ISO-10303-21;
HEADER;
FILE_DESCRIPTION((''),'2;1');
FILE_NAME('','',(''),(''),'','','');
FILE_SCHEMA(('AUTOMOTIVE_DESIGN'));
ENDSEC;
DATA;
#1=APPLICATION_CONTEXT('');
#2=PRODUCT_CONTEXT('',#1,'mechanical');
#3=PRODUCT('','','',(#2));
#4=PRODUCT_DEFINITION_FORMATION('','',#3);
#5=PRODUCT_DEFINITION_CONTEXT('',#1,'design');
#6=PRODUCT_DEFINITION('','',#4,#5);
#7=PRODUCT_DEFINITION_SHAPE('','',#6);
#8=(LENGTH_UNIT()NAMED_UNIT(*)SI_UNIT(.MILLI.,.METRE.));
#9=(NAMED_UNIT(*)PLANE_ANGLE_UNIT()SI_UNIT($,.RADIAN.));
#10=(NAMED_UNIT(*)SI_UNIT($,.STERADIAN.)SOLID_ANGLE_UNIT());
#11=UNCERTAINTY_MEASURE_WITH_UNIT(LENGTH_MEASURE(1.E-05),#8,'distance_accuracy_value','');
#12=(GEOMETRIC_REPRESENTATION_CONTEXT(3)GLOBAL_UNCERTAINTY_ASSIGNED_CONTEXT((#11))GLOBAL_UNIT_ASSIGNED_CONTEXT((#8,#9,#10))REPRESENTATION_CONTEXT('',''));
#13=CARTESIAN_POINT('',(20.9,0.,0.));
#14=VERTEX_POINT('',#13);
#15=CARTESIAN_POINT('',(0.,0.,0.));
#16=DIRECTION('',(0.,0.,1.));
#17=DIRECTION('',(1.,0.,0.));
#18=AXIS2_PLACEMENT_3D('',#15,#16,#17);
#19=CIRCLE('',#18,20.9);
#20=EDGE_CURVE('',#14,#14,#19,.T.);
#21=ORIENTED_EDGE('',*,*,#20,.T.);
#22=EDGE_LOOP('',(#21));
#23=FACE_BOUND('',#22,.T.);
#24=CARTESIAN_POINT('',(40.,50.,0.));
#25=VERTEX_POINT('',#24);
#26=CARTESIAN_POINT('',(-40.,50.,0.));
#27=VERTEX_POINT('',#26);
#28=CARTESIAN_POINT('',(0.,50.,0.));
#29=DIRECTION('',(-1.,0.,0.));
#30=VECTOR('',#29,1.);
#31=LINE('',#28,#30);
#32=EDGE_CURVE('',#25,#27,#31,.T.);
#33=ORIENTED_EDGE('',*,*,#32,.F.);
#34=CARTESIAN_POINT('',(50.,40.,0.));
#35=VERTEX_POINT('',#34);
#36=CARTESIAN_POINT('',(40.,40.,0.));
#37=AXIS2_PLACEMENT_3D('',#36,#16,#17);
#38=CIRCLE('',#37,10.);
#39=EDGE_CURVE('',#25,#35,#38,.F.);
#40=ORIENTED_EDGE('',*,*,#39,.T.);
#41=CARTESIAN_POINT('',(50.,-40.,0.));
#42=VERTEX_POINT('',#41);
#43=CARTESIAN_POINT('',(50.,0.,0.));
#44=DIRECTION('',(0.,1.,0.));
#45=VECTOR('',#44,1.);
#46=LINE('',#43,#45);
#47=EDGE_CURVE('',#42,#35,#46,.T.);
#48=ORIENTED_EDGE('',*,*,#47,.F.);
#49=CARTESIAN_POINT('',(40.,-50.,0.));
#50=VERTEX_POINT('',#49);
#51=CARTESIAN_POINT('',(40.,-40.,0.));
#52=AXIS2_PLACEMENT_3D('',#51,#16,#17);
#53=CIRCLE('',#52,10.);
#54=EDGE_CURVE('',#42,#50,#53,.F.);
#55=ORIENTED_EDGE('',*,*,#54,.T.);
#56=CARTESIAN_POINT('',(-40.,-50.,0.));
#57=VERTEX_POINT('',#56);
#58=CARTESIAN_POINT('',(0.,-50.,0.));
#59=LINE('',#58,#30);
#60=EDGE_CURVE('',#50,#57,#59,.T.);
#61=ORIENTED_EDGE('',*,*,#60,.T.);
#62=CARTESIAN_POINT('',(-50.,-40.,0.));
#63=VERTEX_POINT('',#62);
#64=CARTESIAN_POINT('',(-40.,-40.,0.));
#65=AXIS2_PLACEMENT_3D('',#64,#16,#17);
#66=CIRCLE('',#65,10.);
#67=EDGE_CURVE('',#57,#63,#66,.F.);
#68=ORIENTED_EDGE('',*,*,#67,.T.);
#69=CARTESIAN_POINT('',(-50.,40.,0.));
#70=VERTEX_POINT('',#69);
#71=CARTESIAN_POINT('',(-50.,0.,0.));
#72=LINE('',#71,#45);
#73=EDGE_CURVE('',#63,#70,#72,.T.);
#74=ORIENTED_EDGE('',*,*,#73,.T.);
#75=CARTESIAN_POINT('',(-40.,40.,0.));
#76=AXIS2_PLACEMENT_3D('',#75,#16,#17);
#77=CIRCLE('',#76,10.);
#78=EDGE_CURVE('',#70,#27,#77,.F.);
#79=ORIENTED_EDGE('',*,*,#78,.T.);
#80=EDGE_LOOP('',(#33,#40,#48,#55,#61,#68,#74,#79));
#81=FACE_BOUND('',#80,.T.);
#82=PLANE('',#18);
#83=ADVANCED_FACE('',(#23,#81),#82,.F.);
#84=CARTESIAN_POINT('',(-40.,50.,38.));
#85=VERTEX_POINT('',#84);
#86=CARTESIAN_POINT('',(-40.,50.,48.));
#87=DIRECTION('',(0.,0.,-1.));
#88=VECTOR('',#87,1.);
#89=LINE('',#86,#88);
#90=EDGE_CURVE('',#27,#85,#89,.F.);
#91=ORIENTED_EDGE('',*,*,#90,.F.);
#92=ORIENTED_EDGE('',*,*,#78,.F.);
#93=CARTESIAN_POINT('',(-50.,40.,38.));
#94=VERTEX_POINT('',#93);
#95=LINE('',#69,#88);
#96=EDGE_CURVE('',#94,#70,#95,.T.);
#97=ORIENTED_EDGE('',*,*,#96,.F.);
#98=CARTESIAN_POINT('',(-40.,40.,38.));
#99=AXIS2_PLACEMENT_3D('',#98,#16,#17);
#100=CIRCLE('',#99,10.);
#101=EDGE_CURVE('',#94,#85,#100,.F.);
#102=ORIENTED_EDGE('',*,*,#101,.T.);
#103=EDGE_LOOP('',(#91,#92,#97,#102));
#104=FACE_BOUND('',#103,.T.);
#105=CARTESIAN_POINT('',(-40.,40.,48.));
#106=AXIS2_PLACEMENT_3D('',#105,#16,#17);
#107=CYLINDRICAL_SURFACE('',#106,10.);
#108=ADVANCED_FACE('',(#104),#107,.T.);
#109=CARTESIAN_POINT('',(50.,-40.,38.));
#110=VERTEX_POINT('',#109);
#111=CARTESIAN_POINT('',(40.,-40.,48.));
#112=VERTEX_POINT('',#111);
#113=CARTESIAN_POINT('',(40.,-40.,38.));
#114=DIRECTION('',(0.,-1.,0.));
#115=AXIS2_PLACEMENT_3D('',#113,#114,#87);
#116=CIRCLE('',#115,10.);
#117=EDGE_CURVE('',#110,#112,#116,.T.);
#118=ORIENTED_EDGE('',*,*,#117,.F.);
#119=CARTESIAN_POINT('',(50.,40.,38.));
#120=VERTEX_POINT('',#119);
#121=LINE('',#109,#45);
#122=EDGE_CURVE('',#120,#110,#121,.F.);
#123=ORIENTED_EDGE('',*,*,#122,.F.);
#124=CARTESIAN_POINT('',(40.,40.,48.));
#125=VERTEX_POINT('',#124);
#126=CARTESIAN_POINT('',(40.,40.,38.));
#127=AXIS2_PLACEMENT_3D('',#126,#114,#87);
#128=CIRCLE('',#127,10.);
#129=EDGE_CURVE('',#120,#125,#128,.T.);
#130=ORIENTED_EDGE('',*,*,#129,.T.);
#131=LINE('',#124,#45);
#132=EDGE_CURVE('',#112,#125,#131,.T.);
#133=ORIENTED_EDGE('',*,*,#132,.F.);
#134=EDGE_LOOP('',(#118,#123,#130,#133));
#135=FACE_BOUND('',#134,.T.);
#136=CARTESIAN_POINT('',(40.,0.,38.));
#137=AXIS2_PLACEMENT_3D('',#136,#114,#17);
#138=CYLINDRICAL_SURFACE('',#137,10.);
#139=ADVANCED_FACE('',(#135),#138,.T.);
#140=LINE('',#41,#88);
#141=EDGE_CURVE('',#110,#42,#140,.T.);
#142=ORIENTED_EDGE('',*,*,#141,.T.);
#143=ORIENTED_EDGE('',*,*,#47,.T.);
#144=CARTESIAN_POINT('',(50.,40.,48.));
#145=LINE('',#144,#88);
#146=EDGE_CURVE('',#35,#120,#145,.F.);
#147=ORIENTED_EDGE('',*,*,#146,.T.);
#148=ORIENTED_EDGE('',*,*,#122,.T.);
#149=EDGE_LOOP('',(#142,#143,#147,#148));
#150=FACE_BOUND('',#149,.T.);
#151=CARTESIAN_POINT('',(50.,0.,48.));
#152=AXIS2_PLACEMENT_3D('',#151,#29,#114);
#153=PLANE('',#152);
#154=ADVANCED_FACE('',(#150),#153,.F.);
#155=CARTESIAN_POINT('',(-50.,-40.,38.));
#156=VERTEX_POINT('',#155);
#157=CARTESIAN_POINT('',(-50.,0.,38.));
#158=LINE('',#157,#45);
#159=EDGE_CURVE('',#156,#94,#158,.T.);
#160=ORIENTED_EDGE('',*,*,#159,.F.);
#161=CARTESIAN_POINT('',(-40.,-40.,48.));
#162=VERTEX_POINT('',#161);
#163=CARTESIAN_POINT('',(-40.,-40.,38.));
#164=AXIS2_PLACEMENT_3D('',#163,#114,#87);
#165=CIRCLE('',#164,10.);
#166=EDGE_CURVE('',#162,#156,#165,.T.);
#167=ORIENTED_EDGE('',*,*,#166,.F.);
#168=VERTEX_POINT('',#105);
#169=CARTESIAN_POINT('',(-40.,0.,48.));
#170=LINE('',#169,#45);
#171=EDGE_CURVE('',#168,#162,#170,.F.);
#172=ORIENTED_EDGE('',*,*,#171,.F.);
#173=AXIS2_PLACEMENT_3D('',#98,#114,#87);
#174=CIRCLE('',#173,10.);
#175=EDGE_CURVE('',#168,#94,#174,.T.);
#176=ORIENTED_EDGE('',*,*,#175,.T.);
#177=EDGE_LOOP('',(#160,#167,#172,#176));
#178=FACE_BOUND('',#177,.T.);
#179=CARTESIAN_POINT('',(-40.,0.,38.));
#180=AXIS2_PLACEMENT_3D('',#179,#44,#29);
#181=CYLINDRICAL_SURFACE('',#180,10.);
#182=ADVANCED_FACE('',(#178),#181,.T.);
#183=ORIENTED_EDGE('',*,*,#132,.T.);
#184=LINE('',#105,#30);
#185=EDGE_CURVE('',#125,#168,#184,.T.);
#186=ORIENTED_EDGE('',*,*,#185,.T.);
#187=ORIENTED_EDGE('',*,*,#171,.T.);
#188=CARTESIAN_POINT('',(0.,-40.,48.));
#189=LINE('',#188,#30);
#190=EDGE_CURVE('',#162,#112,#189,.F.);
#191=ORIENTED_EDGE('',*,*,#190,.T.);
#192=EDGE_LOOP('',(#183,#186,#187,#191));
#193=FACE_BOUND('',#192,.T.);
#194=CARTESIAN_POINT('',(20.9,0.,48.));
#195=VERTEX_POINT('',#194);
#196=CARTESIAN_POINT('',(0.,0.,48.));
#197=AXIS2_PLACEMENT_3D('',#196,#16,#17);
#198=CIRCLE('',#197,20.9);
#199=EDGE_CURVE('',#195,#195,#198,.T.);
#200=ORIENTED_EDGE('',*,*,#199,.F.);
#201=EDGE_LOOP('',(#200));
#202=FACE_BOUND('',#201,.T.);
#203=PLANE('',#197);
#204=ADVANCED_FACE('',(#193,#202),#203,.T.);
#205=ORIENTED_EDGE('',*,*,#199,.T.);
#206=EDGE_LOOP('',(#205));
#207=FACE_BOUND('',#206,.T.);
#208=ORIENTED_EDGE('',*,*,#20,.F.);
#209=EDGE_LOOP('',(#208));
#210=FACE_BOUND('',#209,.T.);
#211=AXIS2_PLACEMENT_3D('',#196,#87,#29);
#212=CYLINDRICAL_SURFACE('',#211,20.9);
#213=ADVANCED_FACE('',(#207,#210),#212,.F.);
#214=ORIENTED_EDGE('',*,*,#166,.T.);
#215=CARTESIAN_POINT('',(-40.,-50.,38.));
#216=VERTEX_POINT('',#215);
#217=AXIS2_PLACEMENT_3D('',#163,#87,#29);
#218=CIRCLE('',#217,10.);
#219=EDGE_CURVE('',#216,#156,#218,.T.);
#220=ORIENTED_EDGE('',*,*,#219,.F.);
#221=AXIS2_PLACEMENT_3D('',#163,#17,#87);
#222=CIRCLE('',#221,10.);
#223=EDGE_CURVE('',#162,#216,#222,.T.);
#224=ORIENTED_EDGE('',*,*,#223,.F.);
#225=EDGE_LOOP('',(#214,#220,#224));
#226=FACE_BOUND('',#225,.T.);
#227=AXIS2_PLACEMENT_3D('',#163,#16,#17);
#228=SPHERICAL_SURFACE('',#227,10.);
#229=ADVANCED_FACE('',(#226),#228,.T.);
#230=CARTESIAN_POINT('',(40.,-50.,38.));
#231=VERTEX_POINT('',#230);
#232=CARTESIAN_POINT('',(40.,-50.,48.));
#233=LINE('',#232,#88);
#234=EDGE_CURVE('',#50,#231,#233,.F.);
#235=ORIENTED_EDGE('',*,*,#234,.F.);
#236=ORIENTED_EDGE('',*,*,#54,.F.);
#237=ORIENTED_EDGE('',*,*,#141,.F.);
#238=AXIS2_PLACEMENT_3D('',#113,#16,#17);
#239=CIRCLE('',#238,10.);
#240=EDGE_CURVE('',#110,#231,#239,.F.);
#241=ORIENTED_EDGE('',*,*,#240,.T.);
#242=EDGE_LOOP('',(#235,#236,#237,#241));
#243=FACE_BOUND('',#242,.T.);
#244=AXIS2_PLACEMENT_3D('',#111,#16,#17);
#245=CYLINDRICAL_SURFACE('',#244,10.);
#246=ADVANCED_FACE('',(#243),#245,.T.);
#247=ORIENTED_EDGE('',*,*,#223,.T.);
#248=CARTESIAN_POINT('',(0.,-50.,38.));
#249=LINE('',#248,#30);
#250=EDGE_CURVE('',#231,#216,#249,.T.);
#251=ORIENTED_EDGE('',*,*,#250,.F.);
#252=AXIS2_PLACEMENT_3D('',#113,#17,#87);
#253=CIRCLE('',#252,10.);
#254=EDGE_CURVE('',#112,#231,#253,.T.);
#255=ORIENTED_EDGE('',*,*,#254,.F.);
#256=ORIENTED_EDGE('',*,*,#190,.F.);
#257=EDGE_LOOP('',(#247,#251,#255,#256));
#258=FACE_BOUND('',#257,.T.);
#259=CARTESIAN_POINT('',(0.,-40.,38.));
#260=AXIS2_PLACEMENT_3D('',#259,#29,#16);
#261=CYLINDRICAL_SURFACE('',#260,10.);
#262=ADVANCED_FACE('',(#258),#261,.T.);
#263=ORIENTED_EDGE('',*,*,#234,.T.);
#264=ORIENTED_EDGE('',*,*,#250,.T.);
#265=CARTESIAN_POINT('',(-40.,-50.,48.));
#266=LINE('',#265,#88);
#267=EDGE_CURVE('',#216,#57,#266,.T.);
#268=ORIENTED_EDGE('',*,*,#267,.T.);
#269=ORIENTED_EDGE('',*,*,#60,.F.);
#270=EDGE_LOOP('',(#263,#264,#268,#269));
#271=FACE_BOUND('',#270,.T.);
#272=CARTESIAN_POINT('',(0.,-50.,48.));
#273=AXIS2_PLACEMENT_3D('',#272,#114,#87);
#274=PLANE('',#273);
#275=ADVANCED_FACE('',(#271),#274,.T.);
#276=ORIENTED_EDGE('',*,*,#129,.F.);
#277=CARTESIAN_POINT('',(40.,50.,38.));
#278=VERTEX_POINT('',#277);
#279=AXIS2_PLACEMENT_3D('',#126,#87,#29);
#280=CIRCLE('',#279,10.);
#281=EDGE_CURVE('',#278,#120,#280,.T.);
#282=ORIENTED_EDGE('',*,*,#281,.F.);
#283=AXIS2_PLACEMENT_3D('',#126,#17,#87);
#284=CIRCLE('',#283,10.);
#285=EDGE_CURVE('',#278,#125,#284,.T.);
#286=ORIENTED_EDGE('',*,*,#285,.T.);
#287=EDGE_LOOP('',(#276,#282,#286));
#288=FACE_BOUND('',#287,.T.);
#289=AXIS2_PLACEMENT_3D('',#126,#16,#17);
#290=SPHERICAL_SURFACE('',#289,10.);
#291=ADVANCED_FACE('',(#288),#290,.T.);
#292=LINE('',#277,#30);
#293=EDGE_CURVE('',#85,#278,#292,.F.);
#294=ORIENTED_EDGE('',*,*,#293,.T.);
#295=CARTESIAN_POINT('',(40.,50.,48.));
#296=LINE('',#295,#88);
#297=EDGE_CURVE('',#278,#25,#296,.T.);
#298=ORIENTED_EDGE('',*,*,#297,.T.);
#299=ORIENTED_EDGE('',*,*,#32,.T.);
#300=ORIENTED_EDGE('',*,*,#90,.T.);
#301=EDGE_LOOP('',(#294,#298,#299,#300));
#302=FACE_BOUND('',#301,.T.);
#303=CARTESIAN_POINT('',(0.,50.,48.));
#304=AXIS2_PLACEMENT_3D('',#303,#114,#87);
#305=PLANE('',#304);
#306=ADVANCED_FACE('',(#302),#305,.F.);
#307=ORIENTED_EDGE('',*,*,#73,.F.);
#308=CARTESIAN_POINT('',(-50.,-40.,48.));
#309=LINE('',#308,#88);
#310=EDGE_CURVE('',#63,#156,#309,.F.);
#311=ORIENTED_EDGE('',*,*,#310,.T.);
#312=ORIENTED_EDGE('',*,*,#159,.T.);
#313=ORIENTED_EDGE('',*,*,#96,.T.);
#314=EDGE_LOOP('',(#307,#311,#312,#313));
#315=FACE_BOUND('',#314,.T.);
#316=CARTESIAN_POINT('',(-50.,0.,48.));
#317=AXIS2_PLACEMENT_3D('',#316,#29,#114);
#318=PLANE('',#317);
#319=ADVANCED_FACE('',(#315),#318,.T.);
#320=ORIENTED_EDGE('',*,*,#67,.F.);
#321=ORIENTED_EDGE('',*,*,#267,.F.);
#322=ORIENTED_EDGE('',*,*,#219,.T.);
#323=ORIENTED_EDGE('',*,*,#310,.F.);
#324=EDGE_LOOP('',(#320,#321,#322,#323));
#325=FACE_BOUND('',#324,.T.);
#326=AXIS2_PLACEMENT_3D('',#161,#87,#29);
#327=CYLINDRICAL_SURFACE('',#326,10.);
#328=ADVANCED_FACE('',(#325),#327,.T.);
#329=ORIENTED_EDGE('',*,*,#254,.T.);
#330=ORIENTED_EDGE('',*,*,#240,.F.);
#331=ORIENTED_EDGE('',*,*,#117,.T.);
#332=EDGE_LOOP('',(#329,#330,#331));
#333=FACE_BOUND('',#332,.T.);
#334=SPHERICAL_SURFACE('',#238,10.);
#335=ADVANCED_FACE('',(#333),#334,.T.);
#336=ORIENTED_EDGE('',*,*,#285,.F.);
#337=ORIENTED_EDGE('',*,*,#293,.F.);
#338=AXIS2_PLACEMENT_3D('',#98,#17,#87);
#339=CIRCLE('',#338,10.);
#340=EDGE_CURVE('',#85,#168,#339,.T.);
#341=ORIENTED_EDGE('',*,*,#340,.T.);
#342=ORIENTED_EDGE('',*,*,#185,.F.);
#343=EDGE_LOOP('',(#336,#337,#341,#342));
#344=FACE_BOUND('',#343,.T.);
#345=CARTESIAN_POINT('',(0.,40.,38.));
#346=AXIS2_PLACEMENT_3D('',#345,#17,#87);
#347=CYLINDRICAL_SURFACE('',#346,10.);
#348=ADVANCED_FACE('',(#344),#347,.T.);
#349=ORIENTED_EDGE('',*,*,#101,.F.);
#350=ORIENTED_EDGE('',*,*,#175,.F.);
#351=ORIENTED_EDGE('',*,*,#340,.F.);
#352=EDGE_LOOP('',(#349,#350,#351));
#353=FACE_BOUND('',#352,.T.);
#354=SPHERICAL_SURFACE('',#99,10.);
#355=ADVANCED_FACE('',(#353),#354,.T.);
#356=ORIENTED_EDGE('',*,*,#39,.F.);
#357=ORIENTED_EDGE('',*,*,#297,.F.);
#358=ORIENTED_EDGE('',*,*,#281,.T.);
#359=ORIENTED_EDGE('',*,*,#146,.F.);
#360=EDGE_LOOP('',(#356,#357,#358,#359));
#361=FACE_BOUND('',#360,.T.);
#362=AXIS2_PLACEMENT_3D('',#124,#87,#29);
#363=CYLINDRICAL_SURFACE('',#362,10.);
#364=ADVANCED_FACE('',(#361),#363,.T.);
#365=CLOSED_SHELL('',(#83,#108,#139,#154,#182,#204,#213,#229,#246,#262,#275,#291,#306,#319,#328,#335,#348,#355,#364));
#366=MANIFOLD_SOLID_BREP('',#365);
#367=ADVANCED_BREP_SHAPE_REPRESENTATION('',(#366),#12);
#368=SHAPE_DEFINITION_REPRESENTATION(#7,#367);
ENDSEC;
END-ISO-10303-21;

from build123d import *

# Parameters (mm, degrees)
EXTRUDE_1_DEPTH = 48
FILLET_1_R      = 10
FILLET_3_R      = 10


with BuildPart() as part:
    # 草图1 → 凸台-拉伸1 (new body)
    with BuildSketch(Plane.XY):
        with BuildLine():
            Line((0, 20.9), (0, 25))
            Line((0, 25), (0, 48.210201589))
            Line((0, 48.210201589), (0, 50))
            Line((0, 50), (-50, 50))
            Line((-50, 50), (-50, 0))
            Line((-50, 0), (-20.9, 0))
            ThreePointArc((-20.9, 0), (-14.778531727, 14.778531727), (0, 20.9))
        make_face()
        with BuildLine():
            Line((50, 0), (20.9, 0))
            ThreePointArc((20.9, 0), (14.778531727, -14.778531727), (0, -20.9))
            Line((0, -20.9), (0, -25))
            Line((0, -25), (50, -25))
            Line((50, -25), (50, 0))
        make_face()
        with BuildLine():
            Line((50, 25), (0, 25))
            Line((0, 25), (0, 20.9))
            ThreePointArc((0, 20.9), (14.778531727, 14.778531727), (20.9, 0))
            Line((20.9, 0), (50, 0))
            Line((50, 0), (50, 25))
        make_face()
        Polygon((0, 48.210201589), (0, 25), (50, 25), (50, 50), (0, 50), align=None)
        with BuildLine():
            ThreePointArc((0, -20.9), (-14.778531727, -14.778531727), (-20.9, 0))
            Line((-20.9, 0), (-50, 0))
            Line((-50, 0), (-50, -50))
            Line((-50, -50), (50, -50))
            Line((50, -50), (50, -25))
            Line((50, -25), (0, -25))
            Line((0, -25), (0, -20.9))
        make_face()
    extrude(amount=EXTRUDE_1_DEPTH)

    # 圆角1
    fillet_1_edges = [part.edges().sort_by_distance(p)[0] for p in [
        (-50, -50, 24),
        (-50, 50, 24),
        (50, 50, 24),
        (50, -50, 24),
    ]]
    fillet(fillet_1_edges, radius=FILLET_1_R)

    # 圆角3
    fillet_3_edges = [part.edges().sort_by_distance(p)[0] for p in [
        (0, 50, 48),
        (50, 0, 48),
        (0, -50, 48),
        (-50, 0, 48),
        (-47.071067812, 47.071067812, 48),
        (-47.071067812, -47.071067812, 48),
        (47.071067812, -47.071067812, 48),
        (47.071067812, 47.071067812, 48),
    ]]
    fillet(fillet_3_edges, radius=FILLET_3_R)


solid = part.part
